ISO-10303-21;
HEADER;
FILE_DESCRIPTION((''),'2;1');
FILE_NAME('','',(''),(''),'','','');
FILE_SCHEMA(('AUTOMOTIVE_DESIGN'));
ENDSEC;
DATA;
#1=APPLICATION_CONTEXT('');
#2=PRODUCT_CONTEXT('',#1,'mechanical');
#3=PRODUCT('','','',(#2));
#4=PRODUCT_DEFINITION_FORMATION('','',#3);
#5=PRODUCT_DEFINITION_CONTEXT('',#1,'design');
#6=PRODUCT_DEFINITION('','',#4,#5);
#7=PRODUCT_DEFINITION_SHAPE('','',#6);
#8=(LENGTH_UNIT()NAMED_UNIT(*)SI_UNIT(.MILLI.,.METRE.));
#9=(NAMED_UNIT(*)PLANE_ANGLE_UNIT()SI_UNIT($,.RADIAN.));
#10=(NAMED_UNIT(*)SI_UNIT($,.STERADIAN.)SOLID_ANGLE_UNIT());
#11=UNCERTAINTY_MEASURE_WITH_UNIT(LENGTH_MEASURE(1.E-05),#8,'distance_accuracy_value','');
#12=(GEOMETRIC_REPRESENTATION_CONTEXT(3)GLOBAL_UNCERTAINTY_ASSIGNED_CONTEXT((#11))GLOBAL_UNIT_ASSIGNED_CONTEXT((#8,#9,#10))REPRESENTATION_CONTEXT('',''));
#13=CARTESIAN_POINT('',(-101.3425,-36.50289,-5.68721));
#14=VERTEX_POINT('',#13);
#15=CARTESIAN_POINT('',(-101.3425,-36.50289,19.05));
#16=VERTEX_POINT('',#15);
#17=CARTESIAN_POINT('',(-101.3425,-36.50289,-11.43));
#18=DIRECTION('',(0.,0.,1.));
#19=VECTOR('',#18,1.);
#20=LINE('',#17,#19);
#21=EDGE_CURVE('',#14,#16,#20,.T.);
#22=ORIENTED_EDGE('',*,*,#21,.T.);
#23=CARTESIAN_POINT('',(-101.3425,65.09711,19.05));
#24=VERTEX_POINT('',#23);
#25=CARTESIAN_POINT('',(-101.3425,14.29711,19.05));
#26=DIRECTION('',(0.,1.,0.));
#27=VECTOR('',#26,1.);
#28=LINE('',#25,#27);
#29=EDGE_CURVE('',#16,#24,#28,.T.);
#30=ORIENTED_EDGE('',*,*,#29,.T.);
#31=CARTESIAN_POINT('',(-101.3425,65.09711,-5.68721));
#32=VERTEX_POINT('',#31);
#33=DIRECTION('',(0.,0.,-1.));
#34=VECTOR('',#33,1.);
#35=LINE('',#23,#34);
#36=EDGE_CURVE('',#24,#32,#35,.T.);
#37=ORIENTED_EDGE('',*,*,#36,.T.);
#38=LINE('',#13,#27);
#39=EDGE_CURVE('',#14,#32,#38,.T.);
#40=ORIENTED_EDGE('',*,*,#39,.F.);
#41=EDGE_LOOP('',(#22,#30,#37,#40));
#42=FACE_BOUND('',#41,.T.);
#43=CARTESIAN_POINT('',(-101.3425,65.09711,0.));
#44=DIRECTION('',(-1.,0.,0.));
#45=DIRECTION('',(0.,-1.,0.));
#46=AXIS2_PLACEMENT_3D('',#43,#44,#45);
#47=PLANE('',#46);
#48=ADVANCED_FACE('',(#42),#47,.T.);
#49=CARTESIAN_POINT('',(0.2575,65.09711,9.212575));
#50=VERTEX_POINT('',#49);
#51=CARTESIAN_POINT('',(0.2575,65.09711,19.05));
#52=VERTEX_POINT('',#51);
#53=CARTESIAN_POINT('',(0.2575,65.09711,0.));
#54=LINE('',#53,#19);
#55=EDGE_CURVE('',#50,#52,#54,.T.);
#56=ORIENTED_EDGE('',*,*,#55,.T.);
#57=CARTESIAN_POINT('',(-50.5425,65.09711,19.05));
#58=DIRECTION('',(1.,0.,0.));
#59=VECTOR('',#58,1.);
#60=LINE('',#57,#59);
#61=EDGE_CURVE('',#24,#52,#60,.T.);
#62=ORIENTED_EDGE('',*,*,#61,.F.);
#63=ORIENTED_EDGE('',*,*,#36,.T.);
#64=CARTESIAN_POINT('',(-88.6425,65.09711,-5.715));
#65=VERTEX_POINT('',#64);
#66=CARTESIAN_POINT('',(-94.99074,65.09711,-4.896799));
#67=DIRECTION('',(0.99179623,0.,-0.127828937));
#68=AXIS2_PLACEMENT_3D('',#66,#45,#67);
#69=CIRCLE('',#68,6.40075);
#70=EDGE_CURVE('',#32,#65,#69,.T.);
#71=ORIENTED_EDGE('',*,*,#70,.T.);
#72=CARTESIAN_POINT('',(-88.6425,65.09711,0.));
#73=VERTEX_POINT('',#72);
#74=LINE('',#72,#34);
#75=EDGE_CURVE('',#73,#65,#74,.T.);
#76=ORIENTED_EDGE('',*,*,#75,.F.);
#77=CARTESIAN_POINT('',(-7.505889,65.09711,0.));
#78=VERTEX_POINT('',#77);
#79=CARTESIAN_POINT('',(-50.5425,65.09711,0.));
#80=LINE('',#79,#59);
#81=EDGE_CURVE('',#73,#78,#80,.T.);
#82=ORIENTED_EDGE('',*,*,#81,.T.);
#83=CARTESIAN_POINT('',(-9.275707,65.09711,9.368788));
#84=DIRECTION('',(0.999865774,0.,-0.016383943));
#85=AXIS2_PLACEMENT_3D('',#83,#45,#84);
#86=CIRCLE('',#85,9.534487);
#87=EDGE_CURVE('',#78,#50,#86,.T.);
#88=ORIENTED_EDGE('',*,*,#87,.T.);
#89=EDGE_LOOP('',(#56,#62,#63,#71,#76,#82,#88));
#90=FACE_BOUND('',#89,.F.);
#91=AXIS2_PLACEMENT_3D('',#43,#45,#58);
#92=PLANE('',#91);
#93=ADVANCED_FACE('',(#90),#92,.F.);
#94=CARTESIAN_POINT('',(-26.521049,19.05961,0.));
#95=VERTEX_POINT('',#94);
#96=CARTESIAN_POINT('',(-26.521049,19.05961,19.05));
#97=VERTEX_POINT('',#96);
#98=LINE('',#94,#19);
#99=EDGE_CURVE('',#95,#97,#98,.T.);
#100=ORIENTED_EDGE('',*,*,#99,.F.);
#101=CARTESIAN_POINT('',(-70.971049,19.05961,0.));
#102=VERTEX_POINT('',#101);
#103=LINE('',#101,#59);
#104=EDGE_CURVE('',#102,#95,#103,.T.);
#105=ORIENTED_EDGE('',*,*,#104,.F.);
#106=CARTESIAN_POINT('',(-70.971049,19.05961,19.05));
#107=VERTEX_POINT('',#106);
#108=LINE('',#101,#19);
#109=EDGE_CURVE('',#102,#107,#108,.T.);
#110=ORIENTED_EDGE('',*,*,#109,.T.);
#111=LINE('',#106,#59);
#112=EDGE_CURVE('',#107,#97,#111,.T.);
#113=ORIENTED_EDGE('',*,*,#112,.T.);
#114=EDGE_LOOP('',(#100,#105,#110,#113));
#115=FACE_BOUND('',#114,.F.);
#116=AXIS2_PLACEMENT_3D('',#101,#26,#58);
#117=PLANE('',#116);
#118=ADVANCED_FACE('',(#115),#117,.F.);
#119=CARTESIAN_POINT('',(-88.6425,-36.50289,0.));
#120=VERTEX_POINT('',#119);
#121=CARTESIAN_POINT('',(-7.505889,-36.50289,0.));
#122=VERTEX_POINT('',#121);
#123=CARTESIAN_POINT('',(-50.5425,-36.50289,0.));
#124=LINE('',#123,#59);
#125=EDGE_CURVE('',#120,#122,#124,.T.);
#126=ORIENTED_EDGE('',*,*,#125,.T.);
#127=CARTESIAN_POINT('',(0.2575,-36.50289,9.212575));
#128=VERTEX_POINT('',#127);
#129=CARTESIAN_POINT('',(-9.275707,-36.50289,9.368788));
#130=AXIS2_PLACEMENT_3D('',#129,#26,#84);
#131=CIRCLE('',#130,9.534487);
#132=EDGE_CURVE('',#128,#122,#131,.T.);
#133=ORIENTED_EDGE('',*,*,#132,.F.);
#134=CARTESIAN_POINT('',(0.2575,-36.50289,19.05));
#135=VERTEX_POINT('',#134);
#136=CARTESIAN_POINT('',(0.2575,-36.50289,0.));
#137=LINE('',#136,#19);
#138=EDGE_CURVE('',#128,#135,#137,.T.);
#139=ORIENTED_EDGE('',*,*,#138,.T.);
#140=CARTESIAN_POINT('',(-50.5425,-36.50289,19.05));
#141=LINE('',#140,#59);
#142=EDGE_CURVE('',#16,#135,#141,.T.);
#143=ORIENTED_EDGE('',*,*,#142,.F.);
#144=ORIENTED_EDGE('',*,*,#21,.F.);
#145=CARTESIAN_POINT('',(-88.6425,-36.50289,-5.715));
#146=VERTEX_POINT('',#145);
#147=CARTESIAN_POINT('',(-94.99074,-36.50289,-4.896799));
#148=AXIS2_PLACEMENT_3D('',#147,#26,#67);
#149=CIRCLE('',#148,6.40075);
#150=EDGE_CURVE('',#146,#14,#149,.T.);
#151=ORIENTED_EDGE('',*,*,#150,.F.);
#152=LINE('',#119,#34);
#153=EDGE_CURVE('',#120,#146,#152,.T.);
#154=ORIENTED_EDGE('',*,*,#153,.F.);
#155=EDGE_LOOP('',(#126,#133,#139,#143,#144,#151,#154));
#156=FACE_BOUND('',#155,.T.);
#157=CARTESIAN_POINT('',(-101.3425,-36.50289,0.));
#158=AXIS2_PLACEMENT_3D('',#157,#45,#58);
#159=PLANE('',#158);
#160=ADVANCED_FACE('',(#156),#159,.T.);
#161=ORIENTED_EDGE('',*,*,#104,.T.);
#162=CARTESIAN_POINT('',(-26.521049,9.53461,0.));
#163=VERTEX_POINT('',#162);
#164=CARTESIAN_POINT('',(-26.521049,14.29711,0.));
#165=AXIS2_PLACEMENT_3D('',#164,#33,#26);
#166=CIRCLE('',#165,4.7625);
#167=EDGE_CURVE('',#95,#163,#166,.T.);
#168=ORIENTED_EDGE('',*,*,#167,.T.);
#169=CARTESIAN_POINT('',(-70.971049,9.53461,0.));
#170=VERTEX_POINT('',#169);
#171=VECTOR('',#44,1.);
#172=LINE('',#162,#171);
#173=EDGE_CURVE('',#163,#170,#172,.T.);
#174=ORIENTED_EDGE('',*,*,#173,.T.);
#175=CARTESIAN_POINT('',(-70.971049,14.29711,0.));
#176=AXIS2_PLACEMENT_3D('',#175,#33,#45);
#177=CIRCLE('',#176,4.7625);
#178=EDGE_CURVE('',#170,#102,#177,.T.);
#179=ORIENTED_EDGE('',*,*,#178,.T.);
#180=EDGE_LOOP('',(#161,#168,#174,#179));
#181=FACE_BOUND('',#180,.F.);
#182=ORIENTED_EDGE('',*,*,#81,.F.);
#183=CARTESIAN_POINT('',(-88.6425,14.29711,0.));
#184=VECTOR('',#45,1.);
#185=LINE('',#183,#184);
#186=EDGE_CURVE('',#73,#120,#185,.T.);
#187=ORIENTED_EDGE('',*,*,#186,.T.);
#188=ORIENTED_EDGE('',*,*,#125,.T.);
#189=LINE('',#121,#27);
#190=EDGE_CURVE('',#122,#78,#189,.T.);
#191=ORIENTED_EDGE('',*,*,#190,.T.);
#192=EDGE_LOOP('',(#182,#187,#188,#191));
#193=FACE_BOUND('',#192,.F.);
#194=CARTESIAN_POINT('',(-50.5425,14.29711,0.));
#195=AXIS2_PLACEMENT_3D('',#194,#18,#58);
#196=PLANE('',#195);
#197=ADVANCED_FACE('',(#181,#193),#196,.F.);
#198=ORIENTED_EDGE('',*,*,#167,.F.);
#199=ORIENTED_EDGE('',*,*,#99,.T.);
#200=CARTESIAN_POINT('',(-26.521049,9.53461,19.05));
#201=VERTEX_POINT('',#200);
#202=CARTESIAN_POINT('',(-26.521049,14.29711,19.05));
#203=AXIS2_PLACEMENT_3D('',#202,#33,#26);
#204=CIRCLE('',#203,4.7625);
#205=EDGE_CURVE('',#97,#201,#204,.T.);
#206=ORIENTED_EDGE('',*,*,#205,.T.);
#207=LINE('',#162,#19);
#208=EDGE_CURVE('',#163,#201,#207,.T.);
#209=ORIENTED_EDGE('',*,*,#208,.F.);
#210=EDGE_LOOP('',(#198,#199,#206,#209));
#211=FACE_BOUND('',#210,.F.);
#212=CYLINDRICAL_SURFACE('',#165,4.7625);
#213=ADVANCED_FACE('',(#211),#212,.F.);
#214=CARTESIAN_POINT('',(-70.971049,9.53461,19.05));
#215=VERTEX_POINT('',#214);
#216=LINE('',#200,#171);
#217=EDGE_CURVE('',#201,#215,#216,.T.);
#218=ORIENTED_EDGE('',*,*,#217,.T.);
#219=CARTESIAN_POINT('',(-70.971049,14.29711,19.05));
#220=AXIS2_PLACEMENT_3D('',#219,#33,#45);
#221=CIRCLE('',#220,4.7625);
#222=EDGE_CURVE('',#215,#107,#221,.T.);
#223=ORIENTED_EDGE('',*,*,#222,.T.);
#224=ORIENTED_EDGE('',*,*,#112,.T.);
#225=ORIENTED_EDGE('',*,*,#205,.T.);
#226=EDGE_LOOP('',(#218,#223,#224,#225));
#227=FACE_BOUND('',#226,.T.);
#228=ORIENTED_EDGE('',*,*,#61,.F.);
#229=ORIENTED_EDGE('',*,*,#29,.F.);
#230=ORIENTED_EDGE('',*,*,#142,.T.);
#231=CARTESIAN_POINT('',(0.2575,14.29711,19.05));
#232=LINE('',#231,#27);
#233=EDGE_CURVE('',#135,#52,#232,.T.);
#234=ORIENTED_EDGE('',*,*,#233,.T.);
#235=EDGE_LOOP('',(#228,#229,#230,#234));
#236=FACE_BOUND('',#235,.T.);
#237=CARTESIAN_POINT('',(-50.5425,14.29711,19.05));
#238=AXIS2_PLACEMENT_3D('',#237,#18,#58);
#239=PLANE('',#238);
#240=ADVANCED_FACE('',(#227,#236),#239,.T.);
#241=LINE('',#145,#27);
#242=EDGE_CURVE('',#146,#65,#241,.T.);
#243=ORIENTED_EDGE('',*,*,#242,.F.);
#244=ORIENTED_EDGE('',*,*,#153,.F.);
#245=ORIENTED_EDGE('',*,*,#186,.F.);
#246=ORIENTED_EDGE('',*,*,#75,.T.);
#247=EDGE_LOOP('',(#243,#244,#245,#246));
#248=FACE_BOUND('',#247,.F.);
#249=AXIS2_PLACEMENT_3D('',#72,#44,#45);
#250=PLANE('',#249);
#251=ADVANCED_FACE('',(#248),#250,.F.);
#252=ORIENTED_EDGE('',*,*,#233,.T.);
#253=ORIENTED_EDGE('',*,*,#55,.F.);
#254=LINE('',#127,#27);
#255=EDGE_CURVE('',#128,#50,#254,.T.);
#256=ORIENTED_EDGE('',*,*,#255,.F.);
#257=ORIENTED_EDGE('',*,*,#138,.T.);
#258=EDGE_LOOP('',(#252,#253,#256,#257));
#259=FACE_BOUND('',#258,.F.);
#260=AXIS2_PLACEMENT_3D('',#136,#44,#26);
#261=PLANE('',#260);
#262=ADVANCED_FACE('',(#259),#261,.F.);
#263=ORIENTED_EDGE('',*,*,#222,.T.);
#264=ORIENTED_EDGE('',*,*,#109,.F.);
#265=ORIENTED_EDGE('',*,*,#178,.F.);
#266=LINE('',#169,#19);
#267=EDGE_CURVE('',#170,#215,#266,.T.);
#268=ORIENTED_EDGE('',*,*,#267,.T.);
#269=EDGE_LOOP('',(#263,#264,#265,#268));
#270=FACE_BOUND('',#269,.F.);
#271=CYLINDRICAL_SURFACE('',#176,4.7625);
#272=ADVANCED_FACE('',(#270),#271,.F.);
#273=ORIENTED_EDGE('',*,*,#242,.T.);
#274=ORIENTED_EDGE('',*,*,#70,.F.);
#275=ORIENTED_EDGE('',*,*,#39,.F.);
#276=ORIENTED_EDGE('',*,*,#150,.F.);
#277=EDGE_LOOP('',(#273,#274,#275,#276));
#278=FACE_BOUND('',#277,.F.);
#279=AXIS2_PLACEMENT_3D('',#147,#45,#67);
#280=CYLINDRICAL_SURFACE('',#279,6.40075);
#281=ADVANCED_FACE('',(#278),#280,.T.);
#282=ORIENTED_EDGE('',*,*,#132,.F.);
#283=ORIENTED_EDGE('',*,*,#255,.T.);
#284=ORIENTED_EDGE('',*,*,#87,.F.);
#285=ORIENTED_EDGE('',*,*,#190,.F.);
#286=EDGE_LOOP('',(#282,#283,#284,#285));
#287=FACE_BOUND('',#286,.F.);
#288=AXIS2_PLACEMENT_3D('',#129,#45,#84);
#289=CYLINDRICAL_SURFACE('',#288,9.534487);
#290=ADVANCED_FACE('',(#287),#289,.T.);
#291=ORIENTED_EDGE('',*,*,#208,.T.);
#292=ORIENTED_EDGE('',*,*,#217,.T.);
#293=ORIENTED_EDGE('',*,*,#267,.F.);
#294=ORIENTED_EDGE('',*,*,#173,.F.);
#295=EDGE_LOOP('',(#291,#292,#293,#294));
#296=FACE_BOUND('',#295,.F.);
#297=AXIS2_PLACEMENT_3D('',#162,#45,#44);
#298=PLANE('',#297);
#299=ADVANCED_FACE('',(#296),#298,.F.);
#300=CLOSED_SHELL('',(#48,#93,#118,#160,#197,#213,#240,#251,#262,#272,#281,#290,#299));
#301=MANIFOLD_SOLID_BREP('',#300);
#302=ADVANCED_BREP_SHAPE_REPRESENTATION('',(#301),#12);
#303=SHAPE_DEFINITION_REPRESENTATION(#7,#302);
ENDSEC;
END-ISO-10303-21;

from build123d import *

# Parameters (mm, degrees)
F0_W     = 101.6
F0_H     = 101.6
F1_DEPTH = 19.05
F2_W     = 12.7
F2_H     = 101.6
F3_DEPTH = 11.43
F5_DEPTH = 101.601
F6_DEPTH = 101.601


with BuildPart() as f1:
    # F0 (on Top) → F1 (new body)
    with BuildSketch(Plane.XY):
        with Locations((-50.5425002087, 14.2971096218)):
            Rectangle(F0_W, F0_H)
        with BuildLine():
            ThreePointArc((-70.9710493684, 9.5346096218), (-75.7335493684, 14.2971096218), (-70.9710493684, 19.0596096218))
            Line((-70.9710493684, 19.0596096218), (-26.5210493684, 19.0596096218))
            ThreePointArc((-26.5210493684, 19.0596096218), (-21.7585493684, 14.2971096218), (-26.5210493684, 9.5346096218))
            Line((-26.5210493684, 9.5346096218), (-70.9710493684, 9.5346096218))
        make_face(mode=Mode.SUBTRACT)
    extrude(amount=F1_DEPTH)

    # F2 (on face) → F3 (join)
    with BuildSketch(Plane(origin=(0, 0, 0), x_dir=(1, 0, 0), z_dir=(0, 0, -1))):
        with Locations((-94.9925002087, -14.2971096218)):
            Rectangle(F2_W, F2_H)
    extrude(amount=F3_DEPTH)

    # F4 (on face) → F5 (cut, through all)
    with BuildSketch(Plane.XZ.offset(36.5028903782)):
        with BuildLine():
            ThreePointArc((0.2574997913, 9.2125750211), (-1.9847896018, 3.2247694582), (-7.5058890507, 0))
            Line((-7.5058890507, 0), (0.2574997913, 0))
            Line((0.2574997913, 0), (0.2574997913, 9.2125750211))
        make_face()
    extrude(amount=-F5_DEPTH, mode=Mode.SUBTRACT)

    # F4 (on face) → F6 (cut, through all)
    with BuildSketch(Plane.XZ.offset(36.5028903782)):
        with BuildLine():
            Line((-88.6425002087, -11.43), (-88.6425002087, -5.715))
            ThreePointArc((-88.6425002087, -5.715), (-95.0047463509, -11.2975338614), (-101.3425002087, -5.6872097775))
            Line((-101.3425002087, -5.6872097775), (-101.3425002087, -11.43))
            Line((-101.3425002087, -11.43), (-88.6425002087, -11.43))
        make_face()
    extrude(amount=-F6_DEPTH, mode=Mode.SUBTRACT)


solid = f1.part
